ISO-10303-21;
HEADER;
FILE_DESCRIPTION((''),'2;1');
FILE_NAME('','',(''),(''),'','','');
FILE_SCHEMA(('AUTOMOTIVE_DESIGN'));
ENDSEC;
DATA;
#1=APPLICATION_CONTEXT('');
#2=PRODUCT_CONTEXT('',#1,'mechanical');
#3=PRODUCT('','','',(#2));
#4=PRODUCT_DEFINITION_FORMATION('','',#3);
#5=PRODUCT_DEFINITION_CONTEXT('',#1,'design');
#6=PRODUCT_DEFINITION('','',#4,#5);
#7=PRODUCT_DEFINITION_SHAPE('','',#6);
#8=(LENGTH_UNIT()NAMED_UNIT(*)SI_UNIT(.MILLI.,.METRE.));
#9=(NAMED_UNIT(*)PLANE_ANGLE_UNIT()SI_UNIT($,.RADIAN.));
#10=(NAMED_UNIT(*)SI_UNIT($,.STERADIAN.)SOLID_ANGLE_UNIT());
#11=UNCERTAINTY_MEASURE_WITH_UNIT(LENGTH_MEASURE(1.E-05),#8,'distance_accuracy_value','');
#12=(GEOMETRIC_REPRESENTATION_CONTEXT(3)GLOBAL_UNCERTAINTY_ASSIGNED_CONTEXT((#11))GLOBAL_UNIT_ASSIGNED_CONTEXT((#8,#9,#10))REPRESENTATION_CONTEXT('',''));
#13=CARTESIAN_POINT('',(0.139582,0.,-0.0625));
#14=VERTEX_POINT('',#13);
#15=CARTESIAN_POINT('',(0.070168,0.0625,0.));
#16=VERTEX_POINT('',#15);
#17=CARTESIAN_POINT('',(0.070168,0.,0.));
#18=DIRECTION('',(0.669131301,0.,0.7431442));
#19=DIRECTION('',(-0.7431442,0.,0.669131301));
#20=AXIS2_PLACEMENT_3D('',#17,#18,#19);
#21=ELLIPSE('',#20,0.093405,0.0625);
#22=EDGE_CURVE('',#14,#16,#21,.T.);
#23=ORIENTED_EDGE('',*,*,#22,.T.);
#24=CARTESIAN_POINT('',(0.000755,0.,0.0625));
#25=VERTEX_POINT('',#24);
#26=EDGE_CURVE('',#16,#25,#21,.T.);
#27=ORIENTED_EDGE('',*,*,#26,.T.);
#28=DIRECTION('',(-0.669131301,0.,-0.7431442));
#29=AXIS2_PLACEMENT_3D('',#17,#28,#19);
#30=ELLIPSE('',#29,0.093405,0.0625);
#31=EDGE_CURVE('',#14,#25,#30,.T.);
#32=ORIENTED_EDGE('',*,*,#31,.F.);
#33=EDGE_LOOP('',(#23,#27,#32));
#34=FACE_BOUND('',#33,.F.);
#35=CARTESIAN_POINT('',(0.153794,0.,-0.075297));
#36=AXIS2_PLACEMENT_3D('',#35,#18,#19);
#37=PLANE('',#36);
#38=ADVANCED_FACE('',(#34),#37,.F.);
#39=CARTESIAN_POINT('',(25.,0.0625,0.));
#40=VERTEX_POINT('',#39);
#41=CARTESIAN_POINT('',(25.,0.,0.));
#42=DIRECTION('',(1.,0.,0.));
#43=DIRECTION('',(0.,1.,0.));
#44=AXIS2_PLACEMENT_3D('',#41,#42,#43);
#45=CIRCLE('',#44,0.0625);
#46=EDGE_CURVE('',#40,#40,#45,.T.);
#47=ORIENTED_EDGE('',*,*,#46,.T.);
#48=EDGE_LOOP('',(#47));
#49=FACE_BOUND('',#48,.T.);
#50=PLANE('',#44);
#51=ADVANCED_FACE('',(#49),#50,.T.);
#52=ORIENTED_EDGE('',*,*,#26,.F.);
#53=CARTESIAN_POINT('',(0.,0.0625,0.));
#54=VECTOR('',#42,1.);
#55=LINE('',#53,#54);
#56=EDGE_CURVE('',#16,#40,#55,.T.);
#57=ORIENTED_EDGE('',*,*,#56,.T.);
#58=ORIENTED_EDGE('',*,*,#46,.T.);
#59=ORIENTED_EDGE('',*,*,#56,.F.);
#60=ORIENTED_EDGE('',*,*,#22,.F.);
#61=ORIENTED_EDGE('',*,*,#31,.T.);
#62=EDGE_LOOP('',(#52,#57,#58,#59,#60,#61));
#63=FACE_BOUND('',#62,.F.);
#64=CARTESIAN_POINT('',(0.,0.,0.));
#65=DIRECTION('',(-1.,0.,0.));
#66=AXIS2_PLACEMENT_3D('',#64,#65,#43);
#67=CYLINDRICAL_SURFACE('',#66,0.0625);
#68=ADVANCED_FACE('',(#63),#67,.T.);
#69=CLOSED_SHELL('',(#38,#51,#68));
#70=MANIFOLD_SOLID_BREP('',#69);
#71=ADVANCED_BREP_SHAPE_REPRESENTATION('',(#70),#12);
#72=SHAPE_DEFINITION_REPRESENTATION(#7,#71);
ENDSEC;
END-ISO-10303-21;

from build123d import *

# Parameters (mm, degrees)
F0_R     = 0.0625
F1_DEPTH = 25
F3_DEPTH = 25
F4_DEPTH = 25


with BuildPart() as f1:
    # F0 (on Right) → F1 (new body)
    with BuildSketch(Plane.YZ):
        Circle(F0_R)
    extrude(amount=F1_DEPTH)

    # F2 (on Front) → F3 (cut)
    with BuildSketch(Plane.XZ):
        Polygon((0.153794, -0.075297), (0, 0.06318), (0, -0.075297), align=None)
    extrude(amount=-F3_DEPTH, mode=Mode.SUBTRACT)

    # F2 (on Front) → F4 (cut)
    with BuildSketch(Plane.XZ):
        Polygon((0.153794, -0.075297), (0, 0.06318), (0, -0.075297), align=None)
    extrude(amount=F4_DEPTH, mode=Mode.SUBTRACT)


solid = f1.part
